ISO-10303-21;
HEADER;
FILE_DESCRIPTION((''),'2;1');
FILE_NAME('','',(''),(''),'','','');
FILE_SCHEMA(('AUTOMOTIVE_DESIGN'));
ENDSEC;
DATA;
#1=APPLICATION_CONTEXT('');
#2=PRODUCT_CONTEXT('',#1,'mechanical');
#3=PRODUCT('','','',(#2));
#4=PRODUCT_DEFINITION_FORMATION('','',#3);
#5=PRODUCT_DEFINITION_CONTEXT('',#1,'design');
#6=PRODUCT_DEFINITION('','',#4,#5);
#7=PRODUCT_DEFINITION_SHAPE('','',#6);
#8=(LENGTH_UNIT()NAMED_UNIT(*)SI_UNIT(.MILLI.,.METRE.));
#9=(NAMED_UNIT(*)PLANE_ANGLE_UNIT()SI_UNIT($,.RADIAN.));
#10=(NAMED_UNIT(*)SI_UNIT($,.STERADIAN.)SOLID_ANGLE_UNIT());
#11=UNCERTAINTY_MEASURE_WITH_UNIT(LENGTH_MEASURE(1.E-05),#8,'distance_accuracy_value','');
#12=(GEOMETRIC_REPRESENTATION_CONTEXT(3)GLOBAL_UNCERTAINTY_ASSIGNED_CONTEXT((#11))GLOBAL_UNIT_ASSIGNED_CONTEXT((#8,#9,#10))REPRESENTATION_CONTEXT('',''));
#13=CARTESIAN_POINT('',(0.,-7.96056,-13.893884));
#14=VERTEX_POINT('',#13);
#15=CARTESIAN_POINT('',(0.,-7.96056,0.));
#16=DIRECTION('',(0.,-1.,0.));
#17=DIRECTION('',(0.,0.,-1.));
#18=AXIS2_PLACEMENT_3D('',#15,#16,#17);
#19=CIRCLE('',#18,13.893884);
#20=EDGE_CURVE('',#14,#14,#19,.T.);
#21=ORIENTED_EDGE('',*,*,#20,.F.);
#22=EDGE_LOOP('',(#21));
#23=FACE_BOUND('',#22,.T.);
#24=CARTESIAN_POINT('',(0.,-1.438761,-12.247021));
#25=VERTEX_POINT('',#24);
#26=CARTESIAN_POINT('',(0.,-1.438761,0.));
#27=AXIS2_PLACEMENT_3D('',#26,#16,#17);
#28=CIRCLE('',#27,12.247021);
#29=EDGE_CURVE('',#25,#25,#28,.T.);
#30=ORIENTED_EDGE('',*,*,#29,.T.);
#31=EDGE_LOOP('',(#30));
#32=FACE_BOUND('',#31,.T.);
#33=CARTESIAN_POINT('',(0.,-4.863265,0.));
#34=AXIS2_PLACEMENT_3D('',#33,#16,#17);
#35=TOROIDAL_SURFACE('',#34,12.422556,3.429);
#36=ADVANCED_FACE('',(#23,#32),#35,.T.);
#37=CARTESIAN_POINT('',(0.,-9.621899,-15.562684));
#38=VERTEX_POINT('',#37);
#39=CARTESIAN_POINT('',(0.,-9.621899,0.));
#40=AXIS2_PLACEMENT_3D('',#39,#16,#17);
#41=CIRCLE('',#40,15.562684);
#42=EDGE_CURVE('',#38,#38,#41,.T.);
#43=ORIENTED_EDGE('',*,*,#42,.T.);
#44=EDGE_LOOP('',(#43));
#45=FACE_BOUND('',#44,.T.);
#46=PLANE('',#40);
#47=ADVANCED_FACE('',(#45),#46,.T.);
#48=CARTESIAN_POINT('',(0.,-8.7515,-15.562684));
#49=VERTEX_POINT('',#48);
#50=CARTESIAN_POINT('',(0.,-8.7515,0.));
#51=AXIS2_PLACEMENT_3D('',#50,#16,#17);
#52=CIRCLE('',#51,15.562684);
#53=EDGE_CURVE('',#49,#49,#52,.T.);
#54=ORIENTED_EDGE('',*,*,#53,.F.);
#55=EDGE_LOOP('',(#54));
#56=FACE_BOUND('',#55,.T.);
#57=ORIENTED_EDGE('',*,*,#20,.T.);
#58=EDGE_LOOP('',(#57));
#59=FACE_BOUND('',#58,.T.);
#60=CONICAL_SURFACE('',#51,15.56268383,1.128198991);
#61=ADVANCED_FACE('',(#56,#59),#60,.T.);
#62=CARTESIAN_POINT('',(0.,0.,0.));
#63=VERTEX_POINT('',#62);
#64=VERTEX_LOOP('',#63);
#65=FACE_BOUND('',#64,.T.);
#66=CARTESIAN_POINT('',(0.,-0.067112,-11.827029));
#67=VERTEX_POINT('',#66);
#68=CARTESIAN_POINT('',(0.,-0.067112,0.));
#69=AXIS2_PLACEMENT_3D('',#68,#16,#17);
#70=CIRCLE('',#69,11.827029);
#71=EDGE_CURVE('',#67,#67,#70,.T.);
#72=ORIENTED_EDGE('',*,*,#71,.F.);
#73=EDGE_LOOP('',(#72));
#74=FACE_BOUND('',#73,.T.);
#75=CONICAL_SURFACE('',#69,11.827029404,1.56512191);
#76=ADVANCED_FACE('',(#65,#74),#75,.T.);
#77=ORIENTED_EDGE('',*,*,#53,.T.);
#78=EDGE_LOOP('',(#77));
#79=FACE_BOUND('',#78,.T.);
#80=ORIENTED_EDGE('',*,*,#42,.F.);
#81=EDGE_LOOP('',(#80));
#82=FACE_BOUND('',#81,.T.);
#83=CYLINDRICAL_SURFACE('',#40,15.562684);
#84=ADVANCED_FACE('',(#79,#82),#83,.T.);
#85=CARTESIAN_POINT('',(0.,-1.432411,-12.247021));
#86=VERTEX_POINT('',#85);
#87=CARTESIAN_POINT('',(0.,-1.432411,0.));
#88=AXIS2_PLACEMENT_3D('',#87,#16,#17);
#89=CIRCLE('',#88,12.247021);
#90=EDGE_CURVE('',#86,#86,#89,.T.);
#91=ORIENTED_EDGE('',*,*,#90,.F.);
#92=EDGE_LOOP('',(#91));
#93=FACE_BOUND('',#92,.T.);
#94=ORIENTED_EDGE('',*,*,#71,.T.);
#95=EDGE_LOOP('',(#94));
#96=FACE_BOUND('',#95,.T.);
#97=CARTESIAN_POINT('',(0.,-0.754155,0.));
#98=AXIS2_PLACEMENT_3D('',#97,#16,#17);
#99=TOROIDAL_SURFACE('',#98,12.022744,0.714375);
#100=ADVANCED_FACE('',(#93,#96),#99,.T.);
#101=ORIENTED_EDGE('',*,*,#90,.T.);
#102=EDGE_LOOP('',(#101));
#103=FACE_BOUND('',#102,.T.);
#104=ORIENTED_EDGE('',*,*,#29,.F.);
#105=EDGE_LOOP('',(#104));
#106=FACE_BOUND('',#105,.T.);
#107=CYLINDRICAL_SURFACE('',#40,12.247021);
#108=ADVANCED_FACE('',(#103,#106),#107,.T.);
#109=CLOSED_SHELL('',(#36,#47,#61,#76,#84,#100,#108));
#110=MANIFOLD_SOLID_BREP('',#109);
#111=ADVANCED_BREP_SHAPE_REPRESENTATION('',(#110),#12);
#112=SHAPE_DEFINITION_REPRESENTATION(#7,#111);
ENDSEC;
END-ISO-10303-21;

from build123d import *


with BuildPart() as part:
    # Sketch1 → Revolve1 (revolve)
    with BuildSketch(Plane.XY):
        with BuildLine():
            Line((0, 0), (0, -9.621899232))
            Line((0, -9.621899232), (15.56268383, -9.621899232))
            Line((15.56268383, -9.621899232), (15.56268383, -8.751500195))
            Line((15.56268383, -8.751500195), (13.893883706, -7.960560004))
            ThreePointArc((13.893883706, -7.960560004), (15.7471965, -4.023737944), (12.247020708, -1.438761027))
            Line((12.247020708, -1.438761027), (12.247020708, -1.432411027))
            ThreePointArc((12.247020708, -1.432411027), (12.705542595, -0.544113193), (11.827029404, -0.067112212))
            Line((11.827029404, -0.067112212), (0, 0))
        make_face()
    revolve(axis=Axis((0, -9.621899232, 0), (0, 1, 0)))


solid = part.part
